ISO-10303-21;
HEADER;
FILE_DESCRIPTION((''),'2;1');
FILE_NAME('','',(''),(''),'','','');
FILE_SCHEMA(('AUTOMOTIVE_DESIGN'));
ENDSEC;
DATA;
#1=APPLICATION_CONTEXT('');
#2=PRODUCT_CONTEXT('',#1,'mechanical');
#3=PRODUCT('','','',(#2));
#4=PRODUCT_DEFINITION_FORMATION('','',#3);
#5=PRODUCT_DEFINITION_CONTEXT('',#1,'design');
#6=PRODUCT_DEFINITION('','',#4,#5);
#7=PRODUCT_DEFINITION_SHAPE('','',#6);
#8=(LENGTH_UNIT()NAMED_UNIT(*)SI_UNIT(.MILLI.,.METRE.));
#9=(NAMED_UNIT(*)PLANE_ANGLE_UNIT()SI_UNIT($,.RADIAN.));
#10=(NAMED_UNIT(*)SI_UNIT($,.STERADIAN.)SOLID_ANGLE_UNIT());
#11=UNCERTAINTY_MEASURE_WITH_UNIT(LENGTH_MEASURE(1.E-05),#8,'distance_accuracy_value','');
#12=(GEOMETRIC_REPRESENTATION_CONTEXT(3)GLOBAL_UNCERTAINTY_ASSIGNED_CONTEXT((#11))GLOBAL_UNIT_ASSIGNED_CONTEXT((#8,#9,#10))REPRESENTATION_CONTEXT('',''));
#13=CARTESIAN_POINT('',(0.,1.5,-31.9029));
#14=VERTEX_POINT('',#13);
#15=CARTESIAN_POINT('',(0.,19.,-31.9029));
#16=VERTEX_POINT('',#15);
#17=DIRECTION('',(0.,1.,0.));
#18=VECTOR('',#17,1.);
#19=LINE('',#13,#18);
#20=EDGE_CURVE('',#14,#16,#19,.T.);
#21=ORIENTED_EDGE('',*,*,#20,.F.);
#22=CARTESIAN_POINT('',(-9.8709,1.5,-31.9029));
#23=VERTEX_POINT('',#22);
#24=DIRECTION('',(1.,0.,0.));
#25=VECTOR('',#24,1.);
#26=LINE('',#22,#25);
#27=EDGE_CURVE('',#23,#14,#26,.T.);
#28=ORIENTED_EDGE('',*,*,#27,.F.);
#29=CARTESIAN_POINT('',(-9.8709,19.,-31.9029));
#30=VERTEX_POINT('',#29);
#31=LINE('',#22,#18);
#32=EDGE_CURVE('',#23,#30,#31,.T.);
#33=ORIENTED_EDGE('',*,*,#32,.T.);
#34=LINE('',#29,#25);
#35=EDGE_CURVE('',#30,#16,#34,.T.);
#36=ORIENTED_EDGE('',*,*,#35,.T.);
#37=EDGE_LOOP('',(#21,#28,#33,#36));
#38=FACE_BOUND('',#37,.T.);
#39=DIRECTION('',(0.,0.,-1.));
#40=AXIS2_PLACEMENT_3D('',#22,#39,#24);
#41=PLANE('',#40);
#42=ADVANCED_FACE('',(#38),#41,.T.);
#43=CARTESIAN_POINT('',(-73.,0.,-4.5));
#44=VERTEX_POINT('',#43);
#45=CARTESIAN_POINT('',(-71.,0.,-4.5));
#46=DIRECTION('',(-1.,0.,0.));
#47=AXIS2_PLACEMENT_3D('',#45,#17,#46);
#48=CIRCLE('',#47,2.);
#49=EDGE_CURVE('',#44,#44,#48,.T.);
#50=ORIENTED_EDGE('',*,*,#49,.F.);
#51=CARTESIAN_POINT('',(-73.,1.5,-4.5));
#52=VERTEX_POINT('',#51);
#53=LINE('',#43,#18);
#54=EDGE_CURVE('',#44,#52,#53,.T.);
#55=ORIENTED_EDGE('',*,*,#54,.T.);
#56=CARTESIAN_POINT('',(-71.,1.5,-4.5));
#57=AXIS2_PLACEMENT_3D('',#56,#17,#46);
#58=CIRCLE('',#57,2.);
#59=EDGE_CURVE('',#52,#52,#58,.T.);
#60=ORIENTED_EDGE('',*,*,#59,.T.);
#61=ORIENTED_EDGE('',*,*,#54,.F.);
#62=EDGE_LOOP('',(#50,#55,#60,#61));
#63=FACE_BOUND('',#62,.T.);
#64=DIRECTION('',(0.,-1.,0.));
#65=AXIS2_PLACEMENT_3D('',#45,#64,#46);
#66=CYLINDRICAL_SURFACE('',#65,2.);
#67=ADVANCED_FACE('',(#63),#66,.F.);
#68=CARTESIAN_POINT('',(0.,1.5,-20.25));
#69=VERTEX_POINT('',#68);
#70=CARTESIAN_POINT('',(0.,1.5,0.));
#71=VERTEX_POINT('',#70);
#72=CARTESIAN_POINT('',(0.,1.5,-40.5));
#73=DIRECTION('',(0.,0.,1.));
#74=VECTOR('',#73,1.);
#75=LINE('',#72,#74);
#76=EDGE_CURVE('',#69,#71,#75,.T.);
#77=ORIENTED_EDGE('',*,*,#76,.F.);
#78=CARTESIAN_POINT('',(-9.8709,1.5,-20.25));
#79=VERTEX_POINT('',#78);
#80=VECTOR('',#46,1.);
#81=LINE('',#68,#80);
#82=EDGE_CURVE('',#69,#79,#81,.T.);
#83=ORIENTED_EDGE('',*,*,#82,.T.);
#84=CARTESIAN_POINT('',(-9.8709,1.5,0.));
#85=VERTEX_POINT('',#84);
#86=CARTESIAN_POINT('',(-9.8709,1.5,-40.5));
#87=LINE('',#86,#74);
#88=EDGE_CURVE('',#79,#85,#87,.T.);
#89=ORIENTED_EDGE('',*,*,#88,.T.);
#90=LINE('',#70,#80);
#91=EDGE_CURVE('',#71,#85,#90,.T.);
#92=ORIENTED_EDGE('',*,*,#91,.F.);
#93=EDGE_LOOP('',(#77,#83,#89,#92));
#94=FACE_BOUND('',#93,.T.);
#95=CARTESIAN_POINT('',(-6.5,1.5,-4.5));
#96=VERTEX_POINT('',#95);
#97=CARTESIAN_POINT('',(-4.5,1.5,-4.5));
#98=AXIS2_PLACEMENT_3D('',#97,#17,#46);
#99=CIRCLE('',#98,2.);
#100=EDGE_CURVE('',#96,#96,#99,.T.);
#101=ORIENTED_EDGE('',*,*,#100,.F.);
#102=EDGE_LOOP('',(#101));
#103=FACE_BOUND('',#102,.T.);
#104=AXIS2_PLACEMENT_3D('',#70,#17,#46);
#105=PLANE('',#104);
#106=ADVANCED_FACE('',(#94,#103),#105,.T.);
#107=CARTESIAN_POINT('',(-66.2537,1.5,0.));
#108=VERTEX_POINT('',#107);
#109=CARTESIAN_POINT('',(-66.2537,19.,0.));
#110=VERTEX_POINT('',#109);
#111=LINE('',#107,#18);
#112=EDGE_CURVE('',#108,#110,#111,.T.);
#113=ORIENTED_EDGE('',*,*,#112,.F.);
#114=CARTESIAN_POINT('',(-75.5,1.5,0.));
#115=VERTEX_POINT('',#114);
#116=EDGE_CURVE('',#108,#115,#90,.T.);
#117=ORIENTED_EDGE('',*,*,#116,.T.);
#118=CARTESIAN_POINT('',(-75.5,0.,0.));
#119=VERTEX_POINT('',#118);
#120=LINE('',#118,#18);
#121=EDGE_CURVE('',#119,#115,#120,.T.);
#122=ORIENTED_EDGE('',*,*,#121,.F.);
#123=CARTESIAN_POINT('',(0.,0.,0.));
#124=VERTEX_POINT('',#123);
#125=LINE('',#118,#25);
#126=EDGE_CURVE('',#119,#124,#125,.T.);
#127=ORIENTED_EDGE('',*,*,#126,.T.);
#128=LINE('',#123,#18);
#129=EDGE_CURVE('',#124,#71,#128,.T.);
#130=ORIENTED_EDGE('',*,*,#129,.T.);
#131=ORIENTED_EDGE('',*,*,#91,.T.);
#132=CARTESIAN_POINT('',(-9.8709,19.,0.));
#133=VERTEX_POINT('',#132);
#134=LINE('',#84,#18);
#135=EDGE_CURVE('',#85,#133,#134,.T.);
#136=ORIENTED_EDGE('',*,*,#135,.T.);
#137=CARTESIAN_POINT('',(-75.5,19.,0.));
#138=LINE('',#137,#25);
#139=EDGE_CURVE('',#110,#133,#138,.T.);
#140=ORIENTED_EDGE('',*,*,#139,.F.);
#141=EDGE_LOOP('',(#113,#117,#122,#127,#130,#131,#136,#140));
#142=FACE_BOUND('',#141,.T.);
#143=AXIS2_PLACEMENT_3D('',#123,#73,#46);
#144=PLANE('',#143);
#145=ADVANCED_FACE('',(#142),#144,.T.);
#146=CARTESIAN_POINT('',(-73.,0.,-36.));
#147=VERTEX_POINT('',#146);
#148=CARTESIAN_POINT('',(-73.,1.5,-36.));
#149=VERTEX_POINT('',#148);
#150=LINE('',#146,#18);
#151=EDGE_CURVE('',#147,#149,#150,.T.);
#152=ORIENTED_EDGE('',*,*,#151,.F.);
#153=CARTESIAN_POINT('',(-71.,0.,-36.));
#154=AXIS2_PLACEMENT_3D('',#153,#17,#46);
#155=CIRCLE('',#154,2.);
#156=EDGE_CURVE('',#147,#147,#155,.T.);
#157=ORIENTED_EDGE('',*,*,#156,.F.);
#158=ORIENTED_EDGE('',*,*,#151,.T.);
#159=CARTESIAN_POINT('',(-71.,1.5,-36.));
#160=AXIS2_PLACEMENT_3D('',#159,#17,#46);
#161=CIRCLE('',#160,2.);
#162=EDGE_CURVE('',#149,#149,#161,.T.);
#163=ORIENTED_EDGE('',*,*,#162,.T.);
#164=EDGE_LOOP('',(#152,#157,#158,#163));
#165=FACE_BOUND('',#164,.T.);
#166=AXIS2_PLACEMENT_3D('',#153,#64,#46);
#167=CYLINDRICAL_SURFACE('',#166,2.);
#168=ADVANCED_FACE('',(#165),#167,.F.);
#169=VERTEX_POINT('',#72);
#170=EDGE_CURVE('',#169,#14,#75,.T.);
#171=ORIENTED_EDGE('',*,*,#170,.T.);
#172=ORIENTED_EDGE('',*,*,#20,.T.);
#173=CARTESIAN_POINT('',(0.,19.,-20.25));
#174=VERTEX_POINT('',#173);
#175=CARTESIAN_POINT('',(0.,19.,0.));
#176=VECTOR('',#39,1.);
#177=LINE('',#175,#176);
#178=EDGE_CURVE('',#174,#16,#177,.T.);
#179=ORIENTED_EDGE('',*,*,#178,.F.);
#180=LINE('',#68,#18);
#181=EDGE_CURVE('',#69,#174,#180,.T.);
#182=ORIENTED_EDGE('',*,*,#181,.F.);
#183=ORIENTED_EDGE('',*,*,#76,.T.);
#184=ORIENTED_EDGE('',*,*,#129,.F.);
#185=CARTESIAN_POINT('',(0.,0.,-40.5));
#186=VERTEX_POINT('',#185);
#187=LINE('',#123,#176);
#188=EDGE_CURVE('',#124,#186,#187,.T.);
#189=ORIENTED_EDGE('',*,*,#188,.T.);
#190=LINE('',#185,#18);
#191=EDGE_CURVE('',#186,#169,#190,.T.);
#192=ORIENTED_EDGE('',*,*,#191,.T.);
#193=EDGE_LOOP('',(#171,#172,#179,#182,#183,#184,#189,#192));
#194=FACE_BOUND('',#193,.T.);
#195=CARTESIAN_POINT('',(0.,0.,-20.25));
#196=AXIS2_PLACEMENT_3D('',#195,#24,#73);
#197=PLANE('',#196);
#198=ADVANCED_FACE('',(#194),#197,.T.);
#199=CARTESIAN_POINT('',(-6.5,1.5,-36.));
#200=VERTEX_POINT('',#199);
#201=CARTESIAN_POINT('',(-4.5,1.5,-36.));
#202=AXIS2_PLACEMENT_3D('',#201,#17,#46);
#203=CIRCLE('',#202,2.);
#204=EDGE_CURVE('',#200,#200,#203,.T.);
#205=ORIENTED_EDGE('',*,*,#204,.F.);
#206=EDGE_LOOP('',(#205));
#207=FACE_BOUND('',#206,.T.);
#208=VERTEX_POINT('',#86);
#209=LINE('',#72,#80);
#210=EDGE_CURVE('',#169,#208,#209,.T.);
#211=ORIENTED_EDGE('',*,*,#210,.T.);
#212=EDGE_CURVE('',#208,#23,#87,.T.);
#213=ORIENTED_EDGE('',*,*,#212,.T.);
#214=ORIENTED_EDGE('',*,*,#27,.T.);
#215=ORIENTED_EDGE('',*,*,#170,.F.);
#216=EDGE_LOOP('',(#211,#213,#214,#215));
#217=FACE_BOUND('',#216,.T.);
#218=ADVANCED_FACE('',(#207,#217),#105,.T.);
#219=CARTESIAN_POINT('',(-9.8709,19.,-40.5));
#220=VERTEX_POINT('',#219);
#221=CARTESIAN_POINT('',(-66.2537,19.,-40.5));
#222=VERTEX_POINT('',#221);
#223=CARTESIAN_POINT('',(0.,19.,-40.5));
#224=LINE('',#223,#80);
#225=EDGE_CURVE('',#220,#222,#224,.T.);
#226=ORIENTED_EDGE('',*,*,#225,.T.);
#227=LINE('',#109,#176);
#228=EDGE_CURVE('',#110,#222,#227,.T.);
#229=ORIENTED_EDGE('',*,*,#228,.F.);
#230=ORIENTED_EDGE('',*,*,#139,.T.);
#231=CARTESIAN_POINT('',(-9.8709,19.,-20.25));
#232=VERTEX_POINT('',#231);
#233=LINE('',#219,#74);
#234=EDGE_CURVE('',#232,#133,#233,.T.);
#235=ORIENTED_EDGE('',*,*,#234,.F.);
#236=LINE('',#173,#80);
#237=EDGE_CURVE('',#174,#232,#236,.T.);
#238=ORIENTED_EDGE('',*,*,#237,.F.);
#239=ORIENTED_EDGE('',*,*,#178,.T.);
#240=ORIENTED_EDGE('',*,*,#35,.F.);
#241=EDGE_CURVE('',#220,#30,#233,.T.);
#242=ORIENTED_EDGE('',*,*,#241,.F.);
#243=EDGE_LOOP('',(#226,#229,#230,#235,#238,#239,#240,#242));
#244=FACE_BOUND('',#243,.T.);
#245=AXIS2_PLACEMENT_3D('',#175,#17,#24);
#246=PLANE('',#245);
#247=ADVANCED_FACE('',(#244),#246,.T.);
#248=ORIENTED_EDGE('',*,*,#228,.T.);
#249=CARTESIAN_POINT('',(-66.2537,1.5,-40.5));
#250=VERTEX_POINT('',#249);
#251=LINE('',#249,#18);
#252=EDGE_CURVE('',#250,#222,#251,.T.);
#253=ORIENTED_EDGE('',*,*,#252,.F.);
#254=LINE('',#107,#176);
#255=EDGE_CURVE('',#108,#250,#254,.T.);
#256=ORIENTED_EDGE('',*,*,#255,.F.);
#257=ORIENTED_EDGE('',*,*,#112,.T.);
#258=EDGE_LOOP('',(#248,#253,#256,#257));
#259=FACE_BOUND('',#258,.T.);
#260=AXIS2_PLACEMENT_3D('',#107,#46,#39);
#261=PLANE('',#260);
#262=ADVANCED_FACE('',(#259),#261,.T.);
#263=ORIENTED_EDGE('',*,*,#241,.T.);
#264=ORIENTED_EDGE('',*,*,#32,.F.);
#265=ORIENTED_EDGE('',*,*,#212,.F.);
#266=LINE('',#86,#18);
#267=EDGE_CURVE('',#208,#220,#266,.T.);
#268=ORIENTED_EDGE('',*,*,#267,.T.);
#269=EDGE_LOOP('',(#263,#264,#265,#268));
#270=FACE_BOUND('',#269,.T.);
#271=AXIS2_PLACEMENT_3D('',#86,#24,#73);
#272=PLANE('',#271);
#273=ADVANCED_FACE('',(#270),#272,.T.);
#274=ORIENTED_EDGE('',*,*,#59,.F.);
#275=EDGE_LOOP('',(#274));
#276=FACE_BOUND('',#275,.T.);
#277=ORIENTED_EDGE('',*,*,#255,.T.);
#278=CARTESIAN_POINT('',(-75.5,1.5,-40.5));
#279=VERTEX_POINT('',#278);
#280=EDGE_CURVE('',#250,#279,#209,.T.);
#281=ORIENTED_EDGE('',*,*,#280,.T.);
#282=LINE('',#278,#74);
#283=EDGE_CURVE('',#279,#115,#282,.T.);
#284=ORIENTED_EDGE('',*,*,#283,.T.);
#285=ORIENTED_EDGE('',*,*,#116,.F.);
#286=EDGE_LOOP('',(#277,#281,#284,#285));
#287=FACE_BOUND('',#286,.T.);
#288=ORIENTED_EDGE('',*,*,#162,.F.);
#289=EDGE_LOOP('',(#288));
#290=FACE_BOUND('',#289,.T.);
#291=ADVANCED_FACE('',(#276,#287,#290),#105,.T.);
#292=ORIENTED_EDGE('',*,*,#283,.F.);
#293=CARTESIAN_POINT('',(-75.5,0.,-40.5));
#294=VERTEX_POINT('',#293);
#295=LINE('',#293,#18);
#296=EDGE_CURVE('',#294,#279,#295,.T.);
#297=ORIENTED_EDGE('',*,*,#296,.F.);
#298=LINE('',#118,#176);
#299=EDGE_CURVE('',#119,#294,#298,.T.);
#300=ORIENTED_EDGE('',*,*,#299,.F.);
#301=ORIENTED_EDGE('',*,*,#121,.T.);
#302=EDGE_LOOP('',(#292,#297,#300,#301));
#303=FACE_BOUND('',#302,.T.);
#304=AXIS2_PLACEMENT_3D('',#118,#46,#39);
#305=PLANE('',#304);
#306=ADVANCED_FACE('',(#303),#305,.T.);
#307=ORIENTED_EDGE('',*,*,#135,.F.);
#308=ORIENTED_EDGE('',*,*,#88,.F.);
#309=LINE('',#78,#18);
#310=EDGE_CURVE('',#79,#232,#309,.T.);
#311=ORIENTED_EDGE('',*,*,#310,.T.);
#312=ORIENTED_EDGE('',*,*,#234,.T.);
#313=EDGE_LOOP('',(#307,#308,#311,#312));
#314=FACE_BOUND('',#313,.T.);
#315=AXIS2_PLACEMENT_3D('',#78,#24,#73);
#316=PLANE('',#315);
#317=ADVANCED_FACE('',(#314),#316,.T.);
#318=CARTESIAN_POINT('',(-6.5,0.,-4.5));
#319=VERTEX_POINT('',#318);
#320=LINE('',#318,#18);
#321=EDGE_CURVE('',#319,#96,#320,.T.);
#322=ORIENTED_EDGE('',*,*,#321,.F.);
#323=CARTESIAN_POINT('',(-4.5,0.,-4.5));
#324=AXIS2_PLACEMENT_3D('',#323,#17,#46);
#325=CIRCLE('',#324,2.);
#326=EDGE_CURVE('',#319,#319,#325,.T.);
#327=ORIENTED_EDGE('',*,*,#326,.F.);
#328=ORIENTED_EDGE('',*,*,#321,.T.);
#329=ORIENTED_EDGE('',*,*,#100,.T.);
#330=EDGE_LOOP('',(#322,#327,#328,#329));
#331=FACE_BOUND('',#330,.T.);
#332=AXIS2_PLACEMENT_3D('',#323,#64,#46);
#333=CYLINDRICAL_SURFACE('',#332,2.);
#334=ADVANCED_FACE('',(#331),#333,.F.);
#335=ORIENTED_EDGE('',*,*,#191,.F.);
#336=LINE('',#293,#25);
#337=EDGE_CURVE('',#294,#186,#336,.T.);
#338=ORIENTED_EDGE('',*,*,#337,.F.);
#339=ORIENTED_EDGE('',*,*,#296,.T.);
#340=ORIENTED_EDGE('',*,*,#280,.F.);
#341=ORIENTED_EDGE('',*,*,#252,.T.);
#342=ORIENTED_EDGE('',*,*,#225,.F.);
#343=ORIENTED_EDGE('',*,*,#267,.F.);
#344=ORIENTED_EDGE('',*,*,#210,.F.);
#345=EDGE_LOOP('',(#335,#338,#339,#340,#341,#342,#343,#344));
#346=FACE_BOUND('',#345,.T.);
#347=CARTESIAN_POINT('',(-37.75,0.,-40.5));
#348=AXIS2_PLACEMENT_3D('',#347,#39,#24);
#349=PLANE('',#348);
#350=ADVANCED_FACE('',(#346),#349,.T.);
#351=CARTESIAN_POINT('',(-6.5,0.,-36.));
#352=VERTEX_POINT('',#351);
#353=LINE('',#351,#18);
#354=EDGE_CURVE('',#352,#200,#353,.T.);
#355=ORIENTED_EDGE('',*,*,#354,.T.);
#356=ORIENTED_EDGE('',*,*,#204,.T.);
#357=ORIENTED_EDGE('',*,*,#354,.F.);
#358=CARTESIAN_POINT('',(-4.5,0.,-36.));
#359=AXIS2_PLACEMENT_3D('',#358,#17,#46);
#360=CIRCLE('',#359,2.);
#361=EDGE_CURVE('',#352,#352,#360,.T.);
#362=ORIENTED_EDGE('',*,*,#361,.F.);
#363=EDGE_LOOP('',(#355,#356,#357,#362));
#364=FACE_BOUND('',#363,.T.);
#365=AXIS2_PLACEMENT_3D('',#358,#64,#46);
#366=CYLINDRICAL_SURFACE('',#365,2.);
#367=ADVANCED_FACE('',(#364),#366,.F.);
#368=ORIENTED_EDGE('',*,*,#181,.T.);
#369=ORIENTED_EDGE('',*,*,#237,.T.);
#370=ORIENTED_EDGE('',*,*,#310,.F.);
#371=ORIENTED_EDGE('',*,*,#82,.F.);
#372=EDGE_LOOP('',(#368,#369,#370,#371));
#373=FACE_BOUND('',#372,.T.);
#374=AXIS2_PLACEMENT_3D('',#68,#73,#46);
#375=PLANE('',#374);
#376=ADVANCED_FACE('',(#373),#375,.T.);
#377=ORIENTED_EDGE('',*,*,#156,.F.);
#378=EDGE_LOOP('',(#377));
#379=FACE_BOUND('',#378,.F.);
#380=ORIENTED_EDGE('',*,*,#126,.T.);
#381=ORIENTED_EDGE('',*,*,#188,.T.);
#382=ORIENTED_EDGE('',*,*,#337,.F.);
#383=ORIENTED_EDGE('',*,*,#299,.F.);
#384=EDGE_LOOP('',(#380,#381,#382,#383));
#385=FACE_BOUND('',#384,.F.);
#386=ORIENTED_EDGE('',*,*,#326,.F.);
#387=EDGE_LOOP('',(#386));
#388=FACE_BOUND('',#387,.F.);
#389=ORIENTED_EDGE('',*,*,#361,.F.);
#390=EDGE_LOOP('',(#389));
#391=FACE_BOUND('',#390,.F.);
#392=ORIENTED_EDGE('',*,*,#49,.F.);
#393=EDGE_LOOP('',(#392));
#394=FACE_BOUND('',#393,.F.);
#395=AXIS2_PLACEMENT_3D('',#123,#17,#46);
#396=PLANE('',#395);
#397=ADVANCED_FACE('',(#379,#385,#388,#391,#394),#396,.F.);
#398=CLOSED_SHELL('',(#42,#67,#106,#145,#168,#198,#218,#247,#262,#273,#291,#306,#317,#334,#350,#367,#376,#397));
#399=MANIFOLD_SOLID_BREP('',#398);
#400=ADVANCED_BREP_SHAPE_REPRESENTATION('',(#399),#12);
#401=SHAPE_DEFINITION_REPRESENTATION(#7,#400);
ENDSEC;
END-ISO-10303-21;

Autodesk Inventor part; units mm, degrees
ref_plane "YZ Plane" through (0, 0, 0) normal (1, 0, 0) x (0, 1, 0)
ref_plane "XZ Plane" through (0, 0, 0) normal (0, 1, 0) x (-1, 0, 0)
ref_plane "XY Plane" through (0, 0, 0) normal (0, 0, 1) x (1, 0, 0)
sketch "Sketch1" plane through (0, 0, 0) normal (0, 1, 0) x (-1, 0, 0)
  line L0 (0, 0) -> (75.5, 0)
  line L1 (75.5, 0) -> (75.5, -40.5)
  line L2 (75.5, -40.5) -> (0, -40.5)
  line L3 (0, -40.5) -> (0, 0)
  line L4 (75.5, -20.25) -> (0, -20.25)
  line L5 (37.75, -40.5) -> (37.75, 0)
  circle A0 centre (71, -36) radius 2
  circle A1 centre (4.5, -36) radius 2
  circle A2 centre (71, -4.5) radius 2
  circle A3 centre (4.5, -4.5) radius 2
  dimension "d0" = 75.5
  dimension "d1" = 40.5
  dimension "d2" = 31.5
  dimension "d3" = 66.5
  dimension "d4" = 4
extrude "Extrusion1" add sketch "Sketch1" along normal blind 1.5
sketch "Sketch2" plane through (0, 1.5, 0) normal (0, 1, 0) x (1, 0, 0)
  line L0 (0, 40.5) -> (-75.5, 40.5) projected
  line L1 (-75.5, 0) -> (0, 0) projected
  line L2 (-66.2537, 40.5) -> (-9.8709, 40.5)
  line L3 (-9.8709, 40.5) -> (-9.8709, 0)
  line L4 (-9.8709, 0) -> (-66.2537, 0)
  line L5 (-66.2537, 0) -> (-66.2537, 40.5)
  line L6 (0, 0) -> (0, 40.5) projected
  line L7 (-9.8709, 31.9029) -> (0, 31.9029)
  line L8 (0, 31.9029) -> (0, 20.25)
  line L9 (0, 20.25) -> (-9.8709, 20.25)
  line L10 (-9.8709, 20.25) -> (-9.8709, 31.9029)
extrude "Extrusion2" add sketch "Sketch2" along normal blind 17.5 contours L3 L1 L5 L0 | L6 L9 L3 L7
properties part number "5V"
